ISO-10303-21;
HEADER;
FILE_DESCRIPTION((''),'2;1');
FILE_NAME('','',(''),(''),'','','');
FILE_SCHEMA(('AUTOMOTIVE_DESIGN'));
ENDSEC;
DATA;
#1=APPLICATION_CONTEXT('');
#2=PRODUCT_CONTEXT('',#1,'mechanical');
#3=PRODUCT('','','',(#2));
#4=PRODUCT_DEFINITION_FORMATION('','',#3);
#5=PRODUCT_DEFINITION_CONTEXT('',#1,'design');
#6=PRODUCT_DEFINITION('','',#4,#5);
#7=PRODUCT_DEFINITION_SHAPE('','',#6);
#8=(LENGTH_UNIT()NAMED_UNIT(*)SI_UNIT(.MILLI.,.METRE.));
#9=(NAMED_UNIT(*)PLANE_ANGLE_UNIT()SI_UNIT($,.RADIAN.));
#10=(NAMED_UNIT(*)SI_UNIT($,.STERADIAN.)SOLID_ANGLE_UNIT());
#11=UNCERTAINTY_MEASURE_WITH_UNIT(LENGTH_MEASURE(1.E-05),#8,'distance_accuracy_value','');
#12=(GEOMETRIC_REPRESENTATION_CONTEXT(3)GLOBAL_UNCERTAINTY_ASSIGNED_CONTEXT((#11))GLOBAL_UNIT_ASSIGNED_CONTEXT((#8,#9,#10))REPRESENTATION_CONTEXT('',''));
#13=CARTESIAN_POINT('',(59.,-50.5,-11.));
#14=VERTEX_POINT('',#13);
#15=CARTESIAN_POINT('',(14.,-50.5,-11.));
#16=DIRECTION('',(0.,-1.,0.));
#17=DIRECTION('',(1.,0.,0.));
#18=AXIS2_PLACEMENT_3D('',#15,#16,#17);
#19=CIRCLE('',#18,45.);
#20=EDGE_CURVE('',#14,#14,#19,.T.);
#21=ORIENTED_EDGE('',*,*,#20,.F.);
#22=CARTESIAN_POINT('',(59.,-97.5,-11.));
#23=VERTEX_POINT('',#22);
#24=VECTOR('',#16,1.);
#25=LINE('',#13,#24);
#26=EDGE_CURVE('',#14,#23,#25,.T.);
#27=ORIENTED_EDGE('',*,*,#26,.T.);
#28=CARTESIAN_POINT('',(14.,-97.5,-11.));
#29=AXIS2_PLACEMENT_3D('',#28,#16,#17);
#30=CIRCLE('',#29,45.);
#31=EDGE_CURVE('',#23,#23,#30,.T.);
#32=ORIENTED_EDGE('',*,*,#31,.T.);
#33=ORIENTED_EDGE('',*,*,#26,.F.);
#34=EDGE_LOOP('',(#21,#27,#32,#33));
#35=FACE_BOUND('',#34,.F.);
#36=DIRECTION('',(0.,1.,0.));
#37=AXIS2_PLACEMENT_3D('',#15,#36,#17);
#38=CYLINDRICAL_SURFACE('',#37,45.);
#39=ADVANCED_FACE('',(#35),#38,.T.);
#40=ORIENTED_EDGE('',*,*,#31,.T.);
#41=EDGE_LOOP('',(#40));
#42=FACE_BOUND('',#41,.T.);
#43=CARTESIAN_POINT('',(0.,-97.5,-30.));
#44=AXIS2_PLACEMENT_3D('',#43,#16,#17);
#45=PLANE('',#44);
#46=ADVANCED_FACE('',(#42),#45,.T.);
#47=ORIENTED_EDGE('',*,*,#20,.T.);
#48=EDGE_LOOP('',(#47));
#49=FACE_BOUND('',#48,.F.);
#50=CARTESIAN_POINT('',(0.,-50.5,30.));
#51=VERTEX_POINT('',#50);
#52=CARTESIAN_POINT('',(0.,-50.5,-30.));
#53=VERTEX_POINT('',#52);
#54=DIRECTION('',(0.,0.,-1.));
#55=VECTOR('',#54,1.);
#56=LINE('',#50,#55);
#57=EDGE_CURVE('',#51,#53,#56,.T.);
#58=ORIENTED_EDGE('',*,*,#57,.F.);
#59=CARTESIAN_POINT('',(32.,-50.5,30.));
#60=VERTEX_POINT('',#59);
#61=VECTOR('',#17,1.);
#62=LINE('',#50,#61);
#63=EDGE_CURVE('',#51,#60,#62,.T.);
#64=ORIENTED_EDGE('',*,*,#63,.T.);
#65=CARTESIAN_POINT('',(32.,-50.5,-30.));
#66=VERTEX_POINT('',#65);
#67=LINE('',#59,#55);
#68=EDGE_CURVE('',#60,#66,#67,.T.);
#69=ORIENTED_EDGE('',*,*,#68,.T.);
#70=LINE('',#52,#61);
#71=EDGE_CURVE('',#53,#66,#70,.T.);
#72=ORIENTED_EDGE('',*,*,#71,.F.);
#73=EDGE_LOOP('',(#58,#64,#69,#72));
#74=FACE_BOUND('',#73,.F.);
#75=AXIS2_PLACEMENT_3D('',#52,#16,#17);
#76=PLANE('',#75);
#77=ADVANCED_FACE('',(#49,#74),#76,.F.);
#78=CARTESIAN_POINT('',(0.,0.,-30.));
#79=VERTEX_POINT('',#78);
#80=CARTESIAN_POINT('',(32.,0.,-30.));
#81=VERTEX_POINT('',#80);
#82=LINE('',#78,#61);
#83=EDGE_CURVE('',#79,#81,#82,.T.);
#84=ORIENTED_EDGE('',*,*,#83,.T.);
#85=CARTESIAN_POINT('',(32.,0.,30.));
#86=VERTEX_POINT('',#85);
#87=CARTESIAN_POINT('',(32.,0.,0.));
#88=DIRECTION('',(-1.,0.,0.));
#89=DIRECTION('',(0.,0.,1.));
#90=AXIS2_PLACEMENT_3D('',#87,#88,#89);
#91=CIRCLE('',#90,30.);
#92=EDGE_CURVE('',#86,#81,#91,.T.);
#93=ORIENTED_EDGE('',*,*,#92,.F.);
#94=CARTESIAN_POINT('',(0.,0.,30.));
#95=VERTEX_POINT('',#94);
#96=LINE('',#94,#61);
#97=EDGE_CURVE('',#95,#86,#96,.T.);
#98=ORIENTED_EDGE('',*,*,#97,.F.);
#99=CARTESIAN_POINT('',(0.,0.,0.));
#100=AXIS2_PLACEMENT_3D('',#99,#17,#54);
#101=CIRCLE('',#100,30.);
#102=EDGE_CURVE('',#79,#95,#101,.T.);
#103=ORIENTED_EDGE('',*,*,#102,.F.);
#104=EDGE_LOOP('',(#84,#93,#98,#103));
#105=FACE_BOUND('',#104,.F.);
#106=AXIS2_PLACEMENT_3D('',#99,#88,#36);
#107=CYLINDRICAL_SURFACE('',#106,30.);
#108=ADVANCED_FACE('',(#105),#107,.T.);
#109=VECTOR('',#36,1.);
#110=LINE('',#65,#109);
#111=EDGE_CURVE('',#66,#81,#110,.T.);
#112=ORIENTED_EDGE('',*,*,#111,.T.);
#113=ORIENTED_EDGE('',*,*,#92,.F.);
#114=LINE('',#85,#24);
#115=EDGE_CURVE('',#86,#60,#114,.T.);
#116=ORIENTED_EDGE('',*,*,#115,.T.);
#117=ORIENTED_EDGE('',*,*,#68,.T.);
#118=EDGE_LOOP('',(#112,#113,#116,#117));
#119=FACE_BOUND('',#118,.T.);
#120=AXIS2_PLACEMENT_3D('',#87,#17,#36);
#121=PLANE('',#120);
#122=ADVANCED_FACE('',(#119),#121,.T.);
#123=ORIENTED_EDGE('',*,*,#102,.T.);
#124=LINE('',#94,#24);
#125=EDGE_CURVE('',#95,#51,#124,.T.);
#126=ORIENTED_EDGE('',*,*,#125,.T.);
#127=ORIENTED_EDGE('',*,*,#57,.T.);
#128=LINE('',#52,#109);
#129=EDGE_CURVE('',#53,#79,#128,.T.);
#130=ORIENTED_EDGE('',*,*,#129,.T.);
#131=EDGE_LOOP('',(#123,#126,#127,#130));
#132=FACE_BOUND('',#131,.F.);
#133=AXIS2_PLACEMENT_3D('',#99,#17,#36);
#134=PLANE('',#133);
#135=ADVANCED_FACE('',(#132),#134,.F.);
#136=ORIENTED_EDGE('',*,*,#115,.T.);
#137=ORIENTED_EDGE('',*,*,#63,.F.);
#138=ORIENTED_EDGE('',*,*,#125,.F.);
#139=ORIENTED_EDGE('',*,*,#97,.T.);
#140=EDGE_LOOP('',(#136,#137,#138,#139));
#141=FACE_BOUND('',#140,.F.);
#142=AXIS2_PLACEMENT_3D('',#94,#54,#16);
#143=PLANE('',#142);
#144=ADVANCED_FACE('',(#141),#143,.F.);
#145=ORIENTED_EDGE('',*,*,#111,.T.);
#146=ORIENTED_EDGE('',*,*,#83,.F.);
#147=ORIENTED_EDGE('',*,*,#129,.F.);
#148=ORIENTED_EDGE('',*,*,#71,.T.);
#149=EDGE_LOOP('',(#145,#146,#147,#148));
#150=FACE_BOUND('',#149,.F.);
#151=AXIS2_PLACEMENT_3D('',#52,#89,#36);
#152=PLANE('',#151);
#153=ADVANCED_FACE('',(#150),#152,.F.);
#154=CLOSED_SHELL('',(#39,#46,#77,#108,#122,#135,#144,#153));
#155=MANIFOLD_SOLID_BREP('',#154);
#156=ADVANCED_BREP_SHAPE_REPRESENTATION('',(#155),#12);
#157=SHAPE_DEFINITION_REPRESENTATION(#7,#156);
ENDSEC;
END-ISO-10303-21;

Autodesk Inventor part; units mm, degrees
ref_plane "YZ Plane" through (0, 0, 0) normal (1, 0, 0) x (0, 1, 0)
ref_plane "XZ Plane" through (0, 0, 0) normal (0, 1, 0) x (-1, 0, 0)
sketch "Sketch1" plane through (0, 0, 0) normal (1, 0, 0) x (0, 1, 0)
  circle A0 centre (0, 0) radius 30
  line L0 (0, 30) -> (-50.5, 30)
  line L1 (-50.5, 30) -> (-50.5, -30)
  line L2 (-50.5, -30) -> (0, -30)
  dimension "d0" = 60
  dimension "d1" = 50.5
extrude "Extrusion1" add sketch "Sketch1" along normal blind 32
sketch "Sketch2" plane through (0, -50.5, -30) normal (0, -1, 0) x (1, 0, 0)
  circle A0 centre (14, 19) radius 45
  line L0 (0, 60) -> (32, 60) projected
  line L1 (0, 60) -> (0, 0) projected
  line L2 (0, 0) -> (0, 60) projected
  line L3 (0, 60) -> (32, 60) projected
  line L4 (32, 0) -> (32, 60) projected
  line L5 (0, 0) -> (32, 0) projected
  line L6 (0, 30) -> (32, 30) construction
  point P0 (16, 60)
  point P1 (0, 30)
  dimension "d5" = 90
  dimension "d18" = 11
  dimension "d19" = 14
extrude "Extrusion2" add sketch "Sketch2" along normal blind 47 contours A0 | L0 L4 L5 L1
ref_plane "Work Plane1" through (0, -74, -30) normal (0, 1, 0) x (1, 0, 0)
sketch "Sketch3" plane through (14, -97.5, -11) normal (0, -1, 0) x (1, 0, 0)
  circle A0 centre (0, 0) radius 45 projected
  circle A1 centre (0, 0) radius 40
  line L0 (0, 0) -> (-45, 0) construction
  line L1 (0, 0) -> (-38.9711, 22.5) construction
  line L2 (0, 0) -> (-38.9711, -22.5) construction
  line L3 (-34.641, 20) -> (-24.3333, 37.8536)
  line L4 (-34.641, -20) -> (-24.3333, -37.8536)
  point P0 (-14, 11)
  dimension "d14" = 80
  dimension "d15" = 30
properties part number "hip_back"
